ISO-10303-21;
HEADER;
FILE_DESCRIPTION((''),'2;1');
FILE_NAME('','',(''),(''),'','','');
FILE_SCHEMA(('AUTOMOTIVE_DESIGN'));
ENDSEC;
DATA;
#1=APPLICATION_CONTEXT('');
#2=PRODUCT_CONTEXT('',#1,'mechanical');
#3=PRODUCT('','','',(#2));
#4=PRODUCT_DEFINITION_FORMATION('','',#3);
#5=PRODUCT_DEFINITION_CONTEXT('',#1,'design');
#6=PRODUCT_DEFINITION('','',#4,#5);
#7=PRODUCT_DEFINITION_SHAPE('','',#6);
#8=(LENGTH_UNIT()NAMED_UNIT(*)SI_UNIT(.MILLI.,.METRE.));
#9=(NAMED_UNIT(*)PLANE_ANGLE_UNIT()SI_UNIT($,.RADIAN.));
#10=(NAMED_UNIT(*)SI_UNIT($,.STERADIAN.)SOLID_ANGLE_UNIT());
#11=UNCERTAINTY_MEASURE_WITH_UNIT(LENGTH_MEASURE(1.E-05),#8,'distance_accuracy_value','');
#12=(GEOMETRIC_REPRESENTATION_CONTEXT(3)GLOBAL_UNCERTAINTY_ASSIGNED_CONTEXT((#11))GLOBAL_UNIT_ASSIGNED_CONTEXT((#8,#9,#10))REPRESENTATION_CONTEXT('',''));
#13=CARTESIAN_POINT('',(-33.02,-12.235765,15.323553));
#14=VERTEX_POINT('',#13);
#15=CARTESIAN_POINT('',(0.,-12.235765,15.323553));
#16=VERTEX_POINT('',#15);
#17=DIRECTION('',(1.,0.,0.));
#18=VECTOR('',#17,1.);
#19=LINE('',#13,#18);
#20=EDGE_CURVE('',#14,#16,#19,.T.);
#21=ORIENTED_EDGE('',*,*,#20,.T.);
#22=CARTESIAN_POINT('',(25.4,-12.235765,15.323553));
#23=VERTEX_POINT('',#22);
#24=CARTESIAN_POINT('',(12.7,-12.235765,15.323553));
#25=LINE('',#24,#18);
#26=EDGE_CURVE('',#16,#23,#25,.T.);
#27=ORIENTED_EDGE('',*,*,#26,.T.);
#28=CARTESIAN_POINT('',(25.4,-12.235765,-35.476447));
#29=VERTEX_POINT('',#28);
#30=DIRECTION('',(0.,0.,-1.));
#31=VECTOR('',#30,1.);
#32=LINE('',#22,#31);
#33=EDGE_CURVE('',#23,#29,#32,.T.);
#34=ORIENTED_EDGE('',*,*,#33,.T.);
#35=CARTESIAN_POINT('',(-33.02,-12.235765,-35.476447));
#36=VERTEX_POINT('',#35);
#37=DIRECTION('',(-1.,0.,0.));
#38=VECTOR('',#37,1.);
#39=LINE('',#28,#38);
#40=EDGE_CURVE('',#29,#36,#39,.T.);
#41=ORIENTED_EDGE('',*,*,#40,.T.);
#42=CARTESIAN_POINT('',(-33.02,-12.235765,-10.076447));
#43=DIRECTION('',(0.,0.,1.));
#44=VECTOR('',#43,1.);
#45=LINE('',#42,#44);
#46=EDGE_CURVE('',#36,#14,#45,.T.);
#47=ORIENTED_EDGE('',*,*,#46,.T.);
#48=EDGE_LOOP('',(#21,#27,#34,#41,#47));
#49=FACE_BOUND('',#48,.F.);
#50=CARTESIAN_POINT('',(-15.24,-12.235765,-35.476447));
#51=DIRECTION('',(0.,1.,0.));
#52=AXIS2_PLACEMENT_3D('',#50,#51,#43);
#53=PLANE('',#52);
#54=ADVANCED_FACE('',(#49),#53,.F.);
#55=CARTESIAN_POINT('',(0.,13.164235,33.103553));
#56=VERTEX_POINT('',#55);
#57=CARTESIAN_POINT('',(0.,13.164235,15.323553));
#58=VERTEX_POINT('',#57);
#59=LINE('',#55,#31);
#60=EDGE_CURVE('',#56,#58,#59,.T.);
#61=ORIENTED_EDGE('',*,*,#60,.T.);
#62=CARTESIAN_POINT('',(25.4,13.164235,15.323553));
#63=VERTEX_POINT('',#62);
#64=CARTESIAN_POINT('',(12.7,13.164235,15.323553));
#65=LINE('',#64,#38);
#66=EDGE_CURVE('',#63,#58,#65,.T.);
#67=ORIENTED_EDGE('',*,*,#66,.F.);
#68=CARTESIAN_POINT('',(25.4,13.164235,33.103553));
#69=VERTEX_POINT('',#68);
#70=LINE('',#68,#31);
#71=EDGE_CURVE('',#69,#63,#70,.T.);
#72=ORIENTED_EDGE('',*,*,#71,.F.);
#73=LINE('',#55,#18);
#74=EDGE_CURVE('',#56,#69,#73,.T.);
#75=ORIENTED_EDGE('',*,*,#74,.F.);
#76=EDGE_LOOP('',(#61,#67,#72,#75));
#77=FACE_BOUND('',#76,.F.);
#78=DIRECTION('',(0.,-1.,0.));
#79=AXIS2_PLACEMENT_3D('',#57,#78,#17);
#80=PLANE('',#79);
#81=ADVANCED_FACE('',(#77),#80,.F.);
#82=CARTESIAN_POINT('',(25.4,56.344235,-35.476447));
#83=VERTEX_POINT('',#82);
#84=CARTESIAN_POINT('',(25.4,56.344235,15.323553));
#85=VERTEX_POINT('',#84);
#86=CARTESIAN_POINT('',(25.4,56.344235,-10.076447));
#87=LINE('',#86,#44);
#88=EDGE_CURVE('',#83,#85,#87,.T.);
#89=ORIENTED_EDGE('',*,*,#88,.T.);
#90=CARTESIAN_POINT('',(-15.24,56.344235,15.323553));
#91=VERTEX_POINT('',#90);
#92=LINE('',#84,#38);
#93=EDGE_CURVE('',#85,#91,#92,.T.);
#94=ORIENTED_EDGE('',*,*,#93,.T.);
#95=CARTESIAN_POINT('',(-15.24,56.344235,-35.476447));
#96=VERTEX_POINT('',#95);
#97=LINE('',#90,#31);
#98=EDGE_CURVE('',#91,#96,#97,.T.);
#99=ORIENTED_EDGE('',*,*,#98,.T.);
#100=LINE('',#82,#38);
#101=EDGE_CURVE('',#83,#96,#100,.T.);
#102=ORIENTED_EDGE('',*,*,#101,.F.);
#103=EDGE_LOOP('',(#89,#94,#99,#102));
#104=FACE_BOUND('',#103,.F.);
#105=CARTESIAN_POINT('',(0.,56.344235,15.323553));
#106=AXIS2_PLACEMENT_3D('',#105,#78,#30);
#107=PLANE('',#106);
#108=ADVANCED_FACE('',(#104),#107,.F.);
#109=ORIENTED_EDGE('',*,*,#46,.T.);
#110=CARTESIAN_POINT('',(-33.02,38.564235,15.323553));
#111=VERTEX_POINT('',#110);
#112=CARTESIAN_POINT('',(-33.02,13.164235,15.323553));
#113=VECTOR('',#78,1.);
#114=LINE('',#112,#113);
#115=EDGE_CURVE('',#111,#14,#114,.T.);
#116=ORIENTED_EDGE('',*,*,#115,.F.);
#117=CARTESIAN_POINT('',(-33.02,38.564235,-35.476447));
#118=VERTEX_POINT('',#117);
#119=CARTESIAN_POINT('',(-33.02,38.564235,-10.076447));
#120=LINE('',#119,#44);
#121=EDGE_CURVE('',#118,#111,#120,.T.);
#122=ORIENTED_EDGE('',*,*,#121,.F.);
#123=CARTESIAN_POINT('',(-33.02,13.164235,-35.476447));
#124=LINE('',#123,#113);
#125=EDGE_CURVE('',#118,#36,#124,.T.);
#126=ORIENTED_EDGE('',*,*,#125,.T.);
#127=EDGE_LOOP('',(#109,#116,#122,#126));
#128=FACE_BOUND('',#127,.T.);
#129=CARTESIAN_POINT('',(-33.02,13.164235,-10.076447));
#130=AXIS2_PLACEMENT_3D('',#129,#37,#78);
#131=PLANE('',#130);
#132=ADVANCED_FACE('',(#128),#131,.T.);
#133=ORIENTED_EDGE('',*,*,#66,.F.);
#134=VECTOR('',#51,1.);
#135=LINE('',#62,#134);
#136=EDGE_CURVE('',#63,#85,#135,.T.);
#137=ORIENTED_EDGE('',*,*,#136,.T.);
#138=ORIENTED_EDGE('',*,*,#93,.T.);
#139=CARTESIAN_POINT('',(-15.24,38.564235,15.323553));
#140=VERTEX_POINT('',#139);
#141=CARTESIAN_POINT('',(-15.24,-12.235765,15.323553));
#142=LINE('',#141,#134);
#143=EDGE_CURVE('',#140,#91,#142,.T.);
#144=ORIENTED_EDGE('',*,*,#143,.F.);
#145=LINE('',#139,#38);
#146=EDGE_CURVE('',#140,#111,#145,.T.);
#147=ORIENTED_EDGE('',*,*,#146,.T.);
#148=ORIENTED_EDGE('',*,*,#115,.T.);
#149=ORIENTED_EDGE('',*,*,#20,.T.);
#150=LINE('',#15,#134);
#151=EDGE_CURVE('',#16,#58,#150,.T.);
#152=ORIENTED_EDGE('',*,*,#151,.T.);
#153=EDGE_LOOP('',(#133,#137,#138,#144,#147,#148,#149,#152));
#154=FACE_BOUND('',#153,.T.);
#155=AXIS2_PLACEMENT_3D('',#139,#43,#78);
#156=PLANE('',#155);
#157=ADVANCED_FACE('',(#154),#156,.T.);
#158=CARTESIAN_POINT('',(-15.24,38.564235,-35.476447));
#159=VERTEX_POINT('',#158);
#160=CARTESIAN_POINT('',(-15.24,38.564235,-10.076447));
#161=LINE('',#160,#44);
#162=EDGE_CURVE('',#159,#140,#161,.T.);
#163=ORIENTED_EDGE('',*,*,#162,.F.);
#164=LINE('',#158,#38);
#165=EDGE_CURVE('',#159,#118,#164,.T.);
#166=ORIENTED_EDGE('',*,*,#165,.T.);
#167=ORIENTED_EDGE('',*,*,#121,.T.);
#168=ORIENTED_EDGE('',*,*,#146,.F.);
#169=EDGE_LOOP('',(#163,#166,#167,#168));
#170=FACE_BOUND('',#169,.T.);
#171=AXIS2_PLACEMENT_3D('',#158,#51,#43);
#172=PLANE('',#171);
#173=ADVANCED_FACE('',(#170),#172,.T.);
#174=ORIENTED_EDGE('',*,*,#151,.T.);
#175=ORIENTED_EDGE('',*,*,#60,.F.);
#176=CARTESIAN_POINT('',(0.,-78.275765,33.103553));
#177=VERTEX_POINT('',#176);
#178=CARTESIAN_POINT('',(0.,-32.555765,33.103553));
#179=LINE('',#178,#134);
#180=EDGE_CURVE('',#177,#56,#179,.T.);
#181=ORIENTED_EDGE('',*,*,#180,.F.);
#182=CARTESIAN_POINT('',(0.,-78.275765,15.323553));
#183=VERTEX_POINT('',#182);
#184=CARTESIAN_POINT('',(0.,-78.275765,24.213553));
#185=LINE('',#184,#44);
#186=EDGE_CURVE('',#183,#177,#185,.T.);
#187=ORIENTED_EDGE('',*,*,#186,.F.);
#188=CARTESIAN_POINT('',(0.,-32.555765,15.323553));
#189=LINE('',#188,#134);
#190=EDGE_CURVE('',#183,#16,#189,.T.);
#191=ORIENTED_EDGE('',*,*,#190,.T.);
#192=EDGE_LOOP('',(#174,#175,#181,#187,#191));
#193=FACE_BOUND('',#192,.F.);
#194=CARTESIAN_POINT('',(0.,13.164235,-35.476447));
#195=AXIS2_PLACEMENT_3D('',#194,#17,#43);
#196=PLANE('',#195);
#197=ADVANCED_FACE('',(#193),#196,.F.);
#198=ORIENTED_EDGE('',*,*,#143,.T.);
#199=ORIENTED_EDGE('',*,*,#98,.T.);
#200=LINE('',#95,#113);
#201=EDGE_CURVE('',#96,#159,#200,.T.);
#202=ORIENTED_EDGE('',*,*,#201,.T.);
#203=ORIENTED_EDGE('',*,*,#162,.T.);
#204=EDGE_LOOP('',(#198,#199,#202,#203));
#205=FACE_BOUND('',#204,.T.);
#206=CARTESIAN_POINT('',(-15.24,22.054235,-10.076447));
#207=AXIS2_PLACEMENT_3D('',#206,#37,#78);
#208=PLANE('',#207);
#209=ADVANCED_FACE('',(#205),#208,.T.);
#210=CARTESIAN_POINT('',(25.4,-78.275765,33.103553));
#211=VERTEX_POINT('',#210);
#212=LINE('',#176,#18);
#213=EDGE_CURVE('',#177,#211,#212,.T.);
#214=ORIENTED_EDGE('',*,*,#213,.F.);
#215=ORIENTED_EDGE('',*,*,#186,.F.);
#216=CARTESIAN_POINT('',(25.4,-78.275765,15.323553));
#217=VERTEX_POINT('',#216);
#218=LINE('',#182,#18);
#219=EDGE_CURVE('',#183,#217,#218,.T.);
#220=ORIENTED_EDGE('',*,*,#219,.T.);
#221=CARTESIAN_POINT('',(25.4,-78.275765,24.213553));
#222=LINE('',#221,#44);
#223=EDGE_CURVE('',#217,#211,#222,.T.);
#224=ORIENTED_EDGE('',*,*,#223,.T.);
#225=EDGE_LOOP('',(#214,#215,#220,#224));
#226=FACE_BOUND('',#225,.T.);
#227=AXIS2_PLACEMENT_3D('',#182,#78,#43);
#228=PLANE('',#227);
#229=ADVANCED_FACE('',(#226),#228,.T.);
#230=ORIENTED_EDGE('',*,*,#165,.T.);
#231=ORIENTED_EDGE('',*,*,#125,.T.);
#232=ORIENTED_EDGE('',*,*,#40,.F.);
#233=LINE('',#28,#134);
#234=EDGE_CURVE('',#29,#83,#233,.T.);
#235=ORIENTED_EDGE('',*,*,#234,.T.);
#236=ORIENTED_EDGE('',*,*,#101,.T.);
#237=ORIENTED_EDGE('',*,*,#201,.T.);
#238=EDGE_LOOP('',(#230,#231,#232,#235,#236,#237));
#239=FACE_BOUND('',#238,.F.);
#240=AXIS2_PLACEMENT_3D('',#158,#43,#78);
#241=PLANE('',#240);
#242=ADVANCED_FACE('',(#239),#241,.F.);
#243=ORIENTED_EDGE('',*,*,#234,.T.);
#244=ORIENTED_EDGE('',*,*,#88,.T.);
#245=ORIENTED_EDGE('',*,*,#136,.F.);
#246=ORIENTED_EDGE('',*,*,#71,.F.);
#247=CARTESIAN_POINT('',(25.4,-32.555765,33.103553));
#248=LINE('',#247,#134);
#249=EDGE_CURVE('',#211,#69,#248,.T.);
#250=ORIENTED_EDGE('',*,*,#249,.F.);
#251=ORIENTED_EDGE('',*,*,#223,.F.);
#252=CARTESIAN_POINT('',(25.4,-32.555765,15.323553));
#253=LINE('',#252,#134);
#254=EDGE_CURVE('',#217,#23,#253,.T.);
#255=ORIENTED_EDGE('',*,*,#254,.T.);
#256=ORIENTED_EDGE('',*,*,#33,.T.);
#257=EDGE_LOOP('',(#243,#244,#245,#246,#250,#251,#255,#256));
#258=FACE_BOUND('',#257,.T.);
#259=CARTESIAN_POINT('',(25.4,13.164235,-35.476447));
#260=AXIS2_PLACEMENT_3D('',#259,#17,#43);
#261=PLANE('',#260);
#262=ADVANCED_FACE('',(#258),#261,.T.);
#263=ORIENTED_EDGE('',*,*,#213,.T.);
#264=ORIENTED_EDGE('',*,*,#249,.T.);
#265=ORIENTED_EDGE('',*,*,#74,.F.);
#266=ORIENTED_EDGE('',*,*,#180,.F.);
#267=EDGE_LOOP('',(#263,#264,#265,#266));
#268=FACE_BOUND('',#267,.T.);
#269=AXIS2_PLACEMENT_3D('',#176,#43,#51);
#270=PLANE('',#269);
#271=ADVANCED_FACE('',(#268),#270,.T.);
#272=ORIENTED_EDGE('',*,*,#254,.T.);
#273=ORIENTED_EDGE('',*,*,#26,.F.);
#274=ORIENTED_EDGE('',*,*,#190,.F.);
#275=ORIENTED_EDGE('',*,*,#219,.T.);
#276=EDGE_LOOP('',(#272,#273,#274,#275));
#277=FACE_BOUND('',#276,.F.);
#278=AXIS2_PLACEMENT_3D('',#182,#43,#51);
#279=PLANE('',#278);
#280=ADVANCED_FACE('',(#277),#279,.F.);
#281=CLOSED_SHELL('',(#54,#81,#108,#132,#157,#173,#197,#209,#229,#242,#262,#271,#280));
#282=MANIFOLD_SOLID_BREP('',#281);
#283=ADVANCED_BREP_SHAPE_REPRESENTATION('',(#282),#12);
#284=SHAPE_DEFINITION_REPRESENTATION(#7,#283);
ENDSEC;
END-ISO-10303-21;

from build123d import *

# Parameters (mm, degrees)
F0_W     = 91.44
F0_H     = 17.78
F1_DEPTH = 25.4
F2_W     = 25.4
F2_H     = 25.4
F3_DEPTH = 50.8
F4_W     = 25.4
F4_H     = 50.8
F5_DEPTH = 43.18
F7_DEPTH = 15.24
F8_W     = 50.8
F8_H     = 50.8
F9_DEPTH = 17.78


with BuildPart() as f1:
    # F0 (on Right) → F1 (new body)
    with BuildSketch(Plane.YZ):
        with Locations((-32.5557654617, 24.2135534063)):
            Rectangle(F0_W, F0_H)
    extrude(amount=F1_DEPTH)

    # F2 (on face) → F3 (join)
    with BuildSketch(Plane(origin=(0, 0, 15.3235534063), x_dir=(1, 0, 0), z_dir=(0, 0, -1))):
        with Locations((12.7, -0.4642345383)):
            Rectangle(F2_W, F2_H)
    extrude(amount=F3_DEPTH)

    # F4 (on face) → F5 (join)
    with BuildSketch(Plane(origin=(0, 13.1642345383, 0), x_dir=(-1, 0, 0), z_dir=(0, 1, 0))):
        with Locations((-12.7, -10.0764465937)):
            Rectangle(F4_W, F4_H)
    extrude(amount=F5_DEPTH)

    # F6 (on face) → F7 (join)
    with BuildSketch(Plane(origin=(0, 0, 0), x_dir=(0, -1, 0), z_dir=(-1, 0, 0))):
        Polygon((12.2357654617, 15.3235534063), (-13.1642345383, 15.3235534063), (-56.3442345383, 15.3235534063), (-56.3442345383, -35.4764465937), (12.2357654617, -35.4764465937), align=None)
    extrude(amount=F7_DEPTH)

    # F8 (on face) → F9 (join)
    with BuildSketch(Plane(origin=(-15.24, 0, 0), x_dir=(0, -1, 0), z_dir=(-1, 0, 0))):
        with Locations((-13.1642345383, -10.0764465937)):
            Rectangle(F8_W, F8_H)
    extrude(amount=F9_DEPTH)


solid = f1.part
